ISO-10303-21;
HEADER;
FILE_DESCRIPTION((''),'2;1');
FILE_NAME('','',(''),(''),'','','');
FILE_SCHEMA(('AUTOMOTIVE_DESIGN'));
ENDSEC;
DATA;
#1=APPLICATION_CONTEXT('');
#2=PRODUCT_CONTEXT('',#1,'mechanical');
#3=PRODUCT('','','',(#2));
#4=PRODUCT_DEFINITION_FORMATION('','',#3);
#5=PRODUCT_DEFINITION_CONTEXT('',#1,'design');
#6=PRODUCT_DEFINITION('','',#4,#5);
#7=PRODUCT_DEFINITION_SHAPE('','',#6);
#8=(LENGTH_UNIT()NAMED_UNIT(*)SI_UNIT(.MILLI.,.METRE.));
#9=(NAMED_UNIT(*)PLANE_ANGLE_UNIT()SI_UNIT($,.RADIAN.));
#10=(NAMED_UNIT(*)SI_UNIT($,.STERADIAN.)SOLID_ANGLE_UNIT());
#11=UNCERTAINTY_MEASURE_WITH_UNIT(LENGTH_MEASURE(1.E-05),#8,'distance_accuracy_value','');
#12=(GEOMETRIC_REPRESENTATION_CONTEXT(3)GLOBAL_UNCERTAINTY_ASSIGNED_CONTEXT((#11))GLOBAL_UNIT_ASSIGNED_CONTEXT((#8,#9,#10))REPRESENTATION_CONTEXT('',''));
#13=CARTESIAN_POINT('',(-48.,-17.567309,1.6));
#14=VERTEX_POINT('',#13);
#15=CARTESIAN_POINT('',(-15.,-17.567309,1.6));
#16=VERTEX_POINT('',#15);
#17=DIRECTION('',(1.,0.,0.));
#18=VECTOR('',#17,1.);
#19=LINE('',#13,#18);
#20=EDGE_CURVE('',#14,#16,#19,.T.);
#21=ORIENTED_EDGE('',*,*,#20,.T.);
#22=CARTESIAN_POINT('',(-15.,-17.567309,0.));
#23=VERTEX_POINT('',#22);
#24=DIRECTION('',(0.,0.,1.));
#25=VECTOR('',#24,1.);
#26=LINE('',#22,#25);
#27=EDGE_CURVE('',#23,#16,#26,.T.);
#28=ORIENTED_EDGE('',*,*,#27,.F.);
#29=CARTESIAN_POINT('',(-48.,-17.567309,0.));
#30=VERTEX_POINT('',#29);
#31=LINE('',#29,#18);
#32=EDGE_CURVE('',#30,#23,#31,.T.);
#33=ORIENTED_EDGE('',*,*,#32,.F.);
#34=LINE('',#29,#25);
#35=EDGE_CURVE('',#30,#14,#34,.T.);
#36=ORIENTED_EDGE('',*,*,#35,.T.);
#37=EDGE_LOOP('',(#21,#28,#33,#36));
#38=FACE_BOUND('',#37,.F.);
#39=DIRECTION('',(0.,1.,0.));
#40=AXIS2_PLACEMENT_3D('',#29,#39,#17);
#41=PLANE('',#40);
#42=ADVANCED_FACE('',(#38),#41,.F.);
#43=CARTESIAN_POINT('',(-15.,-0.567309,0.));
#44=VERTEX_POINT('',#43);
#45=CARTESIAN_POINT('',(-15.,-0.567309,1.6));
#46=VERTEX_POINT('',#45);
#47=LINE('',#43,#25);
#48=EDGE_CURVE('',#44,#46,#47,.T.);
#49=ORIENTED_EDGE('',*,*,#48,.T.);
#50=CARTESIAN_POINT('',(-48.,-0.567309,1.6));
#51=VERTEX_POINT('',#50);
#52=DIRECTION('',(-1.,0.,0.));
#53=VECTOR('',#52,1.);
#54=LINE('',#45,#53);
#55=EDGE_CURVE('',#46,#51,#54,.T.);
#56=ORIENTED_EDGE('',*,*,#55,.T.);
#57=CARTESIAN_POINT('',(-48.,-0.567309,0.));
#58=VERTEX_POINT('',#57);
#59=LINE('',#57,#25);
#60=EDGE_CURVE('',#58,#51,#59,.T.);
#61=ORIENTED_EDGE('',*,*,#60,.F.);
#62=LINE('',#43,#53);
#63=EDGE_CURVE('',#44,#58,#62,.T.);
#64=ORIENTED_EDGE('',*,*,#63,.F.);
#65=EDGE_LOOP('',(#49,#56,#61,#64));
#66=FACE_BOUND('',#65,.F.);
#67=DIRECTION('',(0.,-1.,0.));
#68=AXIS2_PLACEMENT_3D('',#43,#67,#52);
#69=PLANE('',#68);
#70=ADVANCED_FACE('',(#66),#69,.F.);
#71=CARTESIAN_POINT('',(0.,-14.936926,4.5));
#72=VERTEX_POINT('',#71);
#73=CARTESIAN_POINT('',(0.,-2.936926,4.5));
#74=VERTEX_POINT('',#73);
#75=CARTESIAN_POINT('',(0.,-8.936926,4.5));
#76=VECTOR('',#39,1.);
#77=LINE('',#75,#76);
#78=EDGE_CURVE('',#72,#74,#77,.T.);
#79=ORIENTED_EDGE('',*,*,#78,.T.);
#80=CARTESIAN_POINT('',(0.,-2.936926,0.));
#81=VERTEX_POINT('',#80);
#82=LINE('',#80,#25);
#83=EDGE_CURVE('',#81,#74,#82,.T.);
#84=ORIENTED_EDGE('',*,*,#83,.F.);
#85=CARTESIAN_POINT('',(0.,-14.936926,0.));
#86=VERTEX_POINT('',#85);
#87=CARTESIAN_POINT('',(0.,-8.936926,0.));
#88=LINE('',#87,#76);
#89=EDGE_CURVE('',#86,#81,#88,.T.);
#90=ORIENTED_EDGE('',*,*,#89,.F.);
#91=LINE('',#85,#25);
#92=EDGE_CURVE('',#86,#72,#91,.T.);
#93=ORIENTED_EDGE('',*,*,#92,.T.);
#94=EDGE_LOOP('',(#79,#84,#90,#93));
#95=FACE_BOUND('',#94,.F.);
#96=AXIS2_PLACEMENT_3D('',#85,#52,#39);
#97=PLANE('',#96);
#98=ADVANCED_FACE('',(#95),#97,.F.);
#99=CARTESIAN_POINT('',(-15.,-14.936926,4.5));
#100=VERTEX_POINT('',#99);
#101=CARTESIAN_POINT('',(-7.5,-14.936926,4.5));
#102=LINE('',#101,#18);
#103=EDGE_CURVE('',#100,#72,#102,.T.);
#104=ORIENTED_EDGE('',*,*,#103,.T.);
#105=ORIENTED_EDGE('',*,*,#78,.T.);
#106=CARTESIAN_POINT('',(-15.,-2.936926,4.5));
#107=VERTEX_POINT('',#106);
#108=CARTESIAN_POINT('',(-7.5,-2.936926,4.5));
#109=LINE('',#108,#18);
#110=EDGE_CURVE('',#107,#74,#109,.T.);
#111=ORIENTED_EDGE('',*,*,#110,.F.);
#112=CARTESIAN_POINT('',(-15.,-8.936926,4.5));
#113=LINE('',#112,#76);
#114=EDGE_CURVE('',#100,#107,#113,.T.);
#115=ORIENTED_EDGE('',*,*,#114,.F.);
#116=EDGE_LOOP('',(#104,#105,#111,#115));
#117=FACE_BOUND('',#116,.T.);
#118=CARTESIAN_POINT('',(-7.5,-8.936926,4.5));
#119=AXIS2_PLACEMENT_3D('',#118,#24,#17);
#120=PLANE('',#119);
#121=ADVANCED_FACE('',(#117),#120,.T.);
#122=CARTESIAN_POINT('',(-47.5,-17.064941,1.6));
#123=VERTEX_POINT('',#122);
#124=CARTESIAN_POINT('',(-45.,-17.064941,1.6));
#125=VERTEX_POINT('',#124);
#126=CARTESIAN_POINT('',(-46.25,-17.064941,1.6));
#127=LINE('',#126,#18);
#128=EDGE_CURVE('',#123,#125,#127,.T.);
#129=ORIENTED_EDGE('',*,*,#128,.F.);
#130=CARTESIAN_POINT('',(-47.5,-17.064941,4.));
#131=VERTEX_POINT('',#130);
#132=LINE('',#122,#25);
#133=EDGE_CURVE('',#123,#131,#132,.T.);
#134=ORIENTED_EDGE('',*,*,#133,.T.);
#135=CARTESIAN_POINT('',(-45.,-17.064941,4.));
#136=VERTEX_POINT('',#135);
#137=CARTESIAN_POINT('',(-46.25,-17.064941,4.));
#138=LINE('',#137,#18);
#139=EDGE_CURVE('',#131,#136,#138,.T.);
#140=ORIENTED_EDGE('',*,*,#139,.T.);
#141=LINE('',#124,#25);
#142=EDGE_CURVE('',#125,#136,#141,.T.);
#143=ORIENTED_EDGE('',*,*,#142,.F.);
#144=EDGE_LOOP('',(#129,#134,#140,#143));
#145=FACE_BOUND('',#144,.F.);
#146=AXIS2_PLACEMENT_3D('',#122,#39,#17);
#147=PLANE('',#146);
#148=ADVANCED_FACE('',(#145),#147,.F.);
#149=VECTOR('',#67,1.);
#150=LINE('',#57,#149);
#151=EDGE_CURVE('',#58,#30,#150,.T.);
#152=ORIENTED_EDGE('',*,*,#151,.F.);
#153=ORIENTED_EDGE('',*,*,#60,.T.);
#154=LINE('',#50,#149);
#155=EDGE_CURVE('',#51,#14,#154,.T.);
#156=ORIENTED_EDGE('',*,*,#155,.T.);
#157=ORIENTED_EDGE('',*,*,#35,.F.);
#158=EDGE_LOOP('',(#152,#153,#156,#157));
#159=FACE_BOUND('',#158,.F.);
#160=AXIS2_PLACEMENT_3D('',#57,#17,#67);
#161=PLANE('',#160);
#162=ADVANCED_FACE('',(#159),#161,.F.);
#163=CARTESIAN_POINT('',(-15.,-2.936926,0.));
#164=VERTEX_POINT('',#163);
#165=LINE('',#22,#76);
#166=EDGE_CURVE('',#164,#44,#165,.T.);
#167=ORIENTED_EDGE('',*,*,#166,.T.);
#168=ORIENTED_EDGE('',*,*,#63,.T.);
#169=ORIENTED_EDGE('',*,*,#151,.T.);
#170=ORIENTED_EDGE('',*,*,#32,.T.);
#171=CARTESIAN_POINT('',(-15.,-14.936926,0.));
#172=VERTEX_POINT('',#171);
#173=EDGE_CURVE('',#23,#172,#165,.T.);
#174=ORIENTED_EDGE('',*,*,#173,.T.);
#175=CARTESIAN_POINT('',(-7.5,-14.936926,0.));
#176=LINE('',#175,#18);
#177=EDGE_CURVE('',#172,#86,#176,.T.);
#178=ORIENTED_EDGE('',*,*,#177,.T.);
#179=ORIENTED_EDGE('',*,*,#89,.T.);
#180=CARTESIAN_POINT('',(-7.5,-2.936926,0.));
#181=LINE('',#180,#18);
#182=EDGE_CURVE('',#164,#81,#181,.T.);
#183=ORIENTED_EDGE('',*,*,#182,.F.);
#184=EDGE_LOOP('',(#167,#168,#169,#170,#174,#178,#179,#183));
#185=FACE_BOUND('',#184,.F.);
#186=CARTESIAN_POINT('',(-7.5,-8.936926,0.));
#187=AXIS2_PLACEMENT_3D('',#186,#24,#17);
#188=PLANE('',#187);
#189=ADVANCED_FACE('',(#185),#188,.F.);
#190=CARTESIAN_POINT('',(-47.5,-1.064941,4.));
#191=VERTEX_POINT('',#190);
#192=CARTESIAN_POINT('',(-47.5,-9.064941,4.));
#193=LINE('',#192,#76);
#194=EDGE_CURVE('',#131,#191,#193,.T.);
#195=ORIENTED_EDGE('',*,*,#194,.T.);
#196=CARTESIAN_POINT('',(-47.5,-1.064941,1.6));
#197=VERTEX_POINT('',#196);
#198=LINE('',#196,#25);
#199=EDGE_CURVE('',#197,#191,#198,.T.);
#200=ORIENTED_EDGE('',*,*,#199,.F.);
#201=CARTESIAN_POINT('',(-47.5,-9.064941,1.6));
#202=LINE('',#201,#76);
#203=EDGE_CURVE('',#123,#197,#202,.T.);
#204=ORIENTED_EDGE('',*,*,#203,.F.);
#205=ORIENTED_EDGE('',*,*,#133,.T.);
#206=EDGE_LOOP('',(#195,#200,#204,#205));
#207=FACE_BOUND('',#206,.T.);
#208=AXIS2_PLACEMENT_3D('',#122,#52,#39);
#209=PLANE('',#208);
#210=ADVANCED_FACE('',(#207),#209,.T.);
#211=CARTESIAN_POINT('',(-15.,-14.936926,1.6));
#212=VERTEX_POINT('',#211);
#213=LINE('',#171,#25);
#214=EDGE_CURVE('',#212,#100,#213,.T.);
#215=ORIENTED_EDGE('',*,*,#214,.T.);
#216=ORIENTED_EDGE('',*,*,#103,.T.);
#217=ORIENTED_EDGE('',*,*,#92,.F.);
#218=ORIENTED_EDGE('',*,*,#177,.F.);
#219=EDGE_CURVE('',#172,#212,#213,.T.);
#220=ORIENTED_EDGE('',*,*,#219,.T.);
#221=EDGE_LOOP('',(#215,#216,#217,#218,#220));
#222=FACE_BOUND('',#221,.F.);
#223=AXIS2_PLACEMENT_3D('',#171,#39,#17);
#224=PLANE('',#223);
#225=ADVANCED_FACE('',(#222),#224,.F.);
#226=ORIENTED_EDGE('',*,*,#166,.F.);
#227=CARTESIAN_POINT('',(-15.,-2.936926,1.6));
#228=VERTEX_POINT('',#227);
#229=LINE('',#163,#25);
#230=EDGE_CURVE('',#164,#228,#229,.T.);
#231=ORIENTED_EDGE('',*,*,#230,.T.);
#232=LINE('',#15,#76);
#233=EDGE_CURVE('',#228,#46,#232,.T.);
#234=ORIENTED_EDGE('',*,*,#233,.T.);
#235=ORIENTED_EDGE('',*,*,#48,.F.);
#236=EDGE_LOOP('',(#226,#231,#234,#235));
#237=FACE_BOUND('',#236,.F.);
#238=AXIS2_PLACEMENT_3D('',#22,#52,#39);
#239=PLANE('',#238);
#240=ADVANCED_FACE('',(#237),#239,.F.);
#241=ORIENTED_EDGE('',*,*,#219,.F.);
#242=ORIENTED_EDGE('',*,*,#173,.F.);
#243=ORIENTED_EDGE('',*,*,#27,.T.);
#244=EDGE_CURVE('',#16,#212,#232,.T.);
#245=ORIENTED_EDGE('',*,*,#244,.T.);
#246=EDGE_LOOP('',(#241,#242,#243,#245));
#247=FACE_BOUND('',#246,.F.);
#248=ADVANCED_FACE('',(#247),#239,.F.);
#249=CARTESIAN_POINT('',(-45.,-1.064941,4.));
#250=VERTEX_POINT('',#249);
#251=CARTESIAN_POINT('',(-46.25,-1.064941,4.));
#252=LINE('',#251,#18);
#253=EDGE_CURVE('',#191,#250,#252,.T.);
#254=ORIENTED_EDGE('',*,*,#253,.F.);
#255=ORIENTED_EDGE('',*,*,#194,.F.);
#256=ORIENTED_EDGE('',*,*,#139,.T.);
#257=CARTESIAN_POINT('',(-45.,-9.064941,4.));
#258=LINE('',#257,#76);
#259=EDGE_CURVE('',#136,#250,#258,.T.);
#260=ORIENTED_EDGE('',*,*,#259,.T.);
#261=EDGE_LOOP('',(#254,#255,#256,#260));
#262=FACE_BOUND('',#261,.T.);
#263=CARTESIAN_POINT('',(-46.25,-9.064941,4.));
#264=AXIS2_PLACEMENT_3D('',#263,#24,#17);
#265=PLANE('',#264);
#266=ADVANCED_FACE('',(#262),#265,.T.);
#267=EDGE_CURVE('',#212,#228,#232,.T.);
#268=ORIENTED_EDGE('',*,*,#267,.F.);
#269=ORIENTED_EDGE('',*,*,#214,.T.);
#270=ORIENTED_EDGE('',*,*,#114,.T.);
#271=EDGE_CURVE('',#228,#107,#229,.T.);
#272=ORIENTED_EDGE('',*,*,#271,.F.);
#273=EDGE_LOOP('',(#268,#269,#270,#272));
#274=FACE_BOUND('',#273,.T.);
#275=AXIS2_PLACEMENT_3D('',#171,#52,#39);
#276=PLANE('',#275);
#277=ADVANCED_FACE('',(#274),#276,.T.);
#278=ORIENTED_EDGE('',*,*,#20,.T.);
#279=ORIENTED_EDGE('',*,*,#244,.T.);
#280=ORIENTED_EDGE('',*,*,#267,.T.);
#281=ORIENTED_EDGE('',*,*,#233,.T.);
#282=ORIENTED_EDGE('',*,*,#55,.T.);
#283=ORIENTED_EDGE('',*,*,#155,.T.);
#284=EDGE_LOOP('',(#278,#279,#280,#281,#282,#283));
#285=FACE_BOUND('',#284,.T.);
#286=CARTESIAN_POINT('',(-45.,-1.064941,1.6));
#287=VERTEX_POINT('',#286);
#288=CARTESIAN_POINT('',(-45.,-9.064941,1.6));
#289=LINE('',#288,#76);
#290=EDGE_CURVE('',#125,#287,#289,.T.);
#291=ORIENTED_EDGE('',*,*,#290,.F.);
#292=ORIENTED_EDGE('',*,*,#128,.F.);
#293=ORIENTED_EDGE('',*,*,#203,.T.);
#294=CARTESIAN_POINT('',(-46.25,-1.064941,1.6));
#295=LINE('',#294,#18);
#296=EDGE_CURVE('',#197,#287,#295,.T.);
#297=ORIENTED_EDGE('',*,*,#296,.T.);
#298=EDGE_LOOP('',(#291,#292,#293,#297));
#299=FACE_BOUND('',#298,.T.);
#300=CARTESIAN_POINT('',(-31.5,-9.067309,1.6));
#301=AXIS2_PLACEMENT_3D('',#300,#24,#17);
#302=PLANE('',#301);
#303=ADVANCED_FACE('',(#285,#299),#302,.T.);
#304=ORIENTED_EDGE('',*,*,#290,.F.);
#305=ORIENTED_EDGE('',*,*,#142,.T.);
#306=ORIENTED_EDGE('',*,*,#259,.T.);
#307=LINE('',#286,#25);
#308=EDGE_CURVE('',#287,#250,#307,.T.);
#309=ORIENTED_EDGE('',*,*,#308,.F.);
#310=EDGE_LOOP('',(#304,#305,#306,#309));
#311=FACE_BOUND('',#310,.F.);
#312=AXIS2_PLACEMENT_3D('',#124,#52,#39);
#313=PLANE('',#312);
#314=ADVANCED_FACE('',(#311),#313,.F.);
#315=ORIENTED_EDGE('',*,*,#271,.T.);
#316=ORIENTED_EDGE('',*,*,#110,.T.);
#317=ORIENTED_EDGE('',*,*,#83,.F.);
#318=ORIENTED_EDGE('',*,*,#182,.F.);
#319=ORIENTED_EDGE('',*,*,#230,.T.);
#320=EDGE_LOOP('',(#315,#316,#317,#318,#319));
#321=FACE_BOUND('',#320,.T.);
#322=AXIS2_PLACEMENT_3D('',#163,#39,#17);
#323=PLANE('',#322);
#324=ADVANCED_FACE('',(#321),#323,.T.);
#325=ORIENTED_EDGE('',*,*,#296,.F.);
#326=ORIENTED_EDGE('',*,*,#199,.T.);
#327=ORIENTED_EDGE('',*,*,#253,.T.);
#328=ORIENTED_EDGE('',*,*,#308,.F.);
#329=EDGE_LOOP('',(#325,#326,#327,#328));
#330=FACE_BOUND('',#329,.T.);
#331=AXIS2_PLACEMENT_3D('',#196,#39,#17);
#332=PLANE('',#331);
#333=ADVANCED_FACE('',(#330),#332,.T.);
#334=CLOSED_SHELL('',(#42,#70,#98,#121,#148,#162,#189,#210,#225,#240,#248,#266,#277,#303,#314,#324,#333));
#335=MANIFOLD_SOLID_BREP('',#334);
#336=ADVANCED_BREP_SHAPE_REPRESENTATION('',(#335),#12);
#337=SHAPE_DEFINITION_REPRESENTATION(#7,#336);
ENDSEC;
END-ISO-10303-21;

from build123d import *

# Parameters (mm, degrees)
F1_DEPTH = 1.6
F0_W     = 15
F0_H     = 12
F2_DEPTH = 4.5
F3_W     = 2.5
F3_H     = 16
F4_DEPTH = 2.4


with BuildPart() as f1:
    # F0 (on Top) → F1 (new body)
    with BuildSketch(Plane.XY):
        Polygon((-15, -0.567309), (-48, -0.567309), (-48, -17.567309), (-15, -17.567309), (-15, -14.936926), (-15, -2.936926), align=None)
    extrude(amount=F1_DEPTH)

    # F0 (on Top) → F2 (join)
    with BuildSketch(Plane.XY):
        with Locations((-7.5, -8.936926)):
            Rectangle(F0_W, F0_H)
    extrude(amount=F2_DEPTH)

    # F3 (on face) → F4 (join)
    with BuildSketch(Plane.XY.offset(1.6)):
        with Locations((-46.25, -9.064941)):
            Rectangle(F3_W, F3_H)
    extrude(amount=F4_DEPTH)


solid = f1.part
